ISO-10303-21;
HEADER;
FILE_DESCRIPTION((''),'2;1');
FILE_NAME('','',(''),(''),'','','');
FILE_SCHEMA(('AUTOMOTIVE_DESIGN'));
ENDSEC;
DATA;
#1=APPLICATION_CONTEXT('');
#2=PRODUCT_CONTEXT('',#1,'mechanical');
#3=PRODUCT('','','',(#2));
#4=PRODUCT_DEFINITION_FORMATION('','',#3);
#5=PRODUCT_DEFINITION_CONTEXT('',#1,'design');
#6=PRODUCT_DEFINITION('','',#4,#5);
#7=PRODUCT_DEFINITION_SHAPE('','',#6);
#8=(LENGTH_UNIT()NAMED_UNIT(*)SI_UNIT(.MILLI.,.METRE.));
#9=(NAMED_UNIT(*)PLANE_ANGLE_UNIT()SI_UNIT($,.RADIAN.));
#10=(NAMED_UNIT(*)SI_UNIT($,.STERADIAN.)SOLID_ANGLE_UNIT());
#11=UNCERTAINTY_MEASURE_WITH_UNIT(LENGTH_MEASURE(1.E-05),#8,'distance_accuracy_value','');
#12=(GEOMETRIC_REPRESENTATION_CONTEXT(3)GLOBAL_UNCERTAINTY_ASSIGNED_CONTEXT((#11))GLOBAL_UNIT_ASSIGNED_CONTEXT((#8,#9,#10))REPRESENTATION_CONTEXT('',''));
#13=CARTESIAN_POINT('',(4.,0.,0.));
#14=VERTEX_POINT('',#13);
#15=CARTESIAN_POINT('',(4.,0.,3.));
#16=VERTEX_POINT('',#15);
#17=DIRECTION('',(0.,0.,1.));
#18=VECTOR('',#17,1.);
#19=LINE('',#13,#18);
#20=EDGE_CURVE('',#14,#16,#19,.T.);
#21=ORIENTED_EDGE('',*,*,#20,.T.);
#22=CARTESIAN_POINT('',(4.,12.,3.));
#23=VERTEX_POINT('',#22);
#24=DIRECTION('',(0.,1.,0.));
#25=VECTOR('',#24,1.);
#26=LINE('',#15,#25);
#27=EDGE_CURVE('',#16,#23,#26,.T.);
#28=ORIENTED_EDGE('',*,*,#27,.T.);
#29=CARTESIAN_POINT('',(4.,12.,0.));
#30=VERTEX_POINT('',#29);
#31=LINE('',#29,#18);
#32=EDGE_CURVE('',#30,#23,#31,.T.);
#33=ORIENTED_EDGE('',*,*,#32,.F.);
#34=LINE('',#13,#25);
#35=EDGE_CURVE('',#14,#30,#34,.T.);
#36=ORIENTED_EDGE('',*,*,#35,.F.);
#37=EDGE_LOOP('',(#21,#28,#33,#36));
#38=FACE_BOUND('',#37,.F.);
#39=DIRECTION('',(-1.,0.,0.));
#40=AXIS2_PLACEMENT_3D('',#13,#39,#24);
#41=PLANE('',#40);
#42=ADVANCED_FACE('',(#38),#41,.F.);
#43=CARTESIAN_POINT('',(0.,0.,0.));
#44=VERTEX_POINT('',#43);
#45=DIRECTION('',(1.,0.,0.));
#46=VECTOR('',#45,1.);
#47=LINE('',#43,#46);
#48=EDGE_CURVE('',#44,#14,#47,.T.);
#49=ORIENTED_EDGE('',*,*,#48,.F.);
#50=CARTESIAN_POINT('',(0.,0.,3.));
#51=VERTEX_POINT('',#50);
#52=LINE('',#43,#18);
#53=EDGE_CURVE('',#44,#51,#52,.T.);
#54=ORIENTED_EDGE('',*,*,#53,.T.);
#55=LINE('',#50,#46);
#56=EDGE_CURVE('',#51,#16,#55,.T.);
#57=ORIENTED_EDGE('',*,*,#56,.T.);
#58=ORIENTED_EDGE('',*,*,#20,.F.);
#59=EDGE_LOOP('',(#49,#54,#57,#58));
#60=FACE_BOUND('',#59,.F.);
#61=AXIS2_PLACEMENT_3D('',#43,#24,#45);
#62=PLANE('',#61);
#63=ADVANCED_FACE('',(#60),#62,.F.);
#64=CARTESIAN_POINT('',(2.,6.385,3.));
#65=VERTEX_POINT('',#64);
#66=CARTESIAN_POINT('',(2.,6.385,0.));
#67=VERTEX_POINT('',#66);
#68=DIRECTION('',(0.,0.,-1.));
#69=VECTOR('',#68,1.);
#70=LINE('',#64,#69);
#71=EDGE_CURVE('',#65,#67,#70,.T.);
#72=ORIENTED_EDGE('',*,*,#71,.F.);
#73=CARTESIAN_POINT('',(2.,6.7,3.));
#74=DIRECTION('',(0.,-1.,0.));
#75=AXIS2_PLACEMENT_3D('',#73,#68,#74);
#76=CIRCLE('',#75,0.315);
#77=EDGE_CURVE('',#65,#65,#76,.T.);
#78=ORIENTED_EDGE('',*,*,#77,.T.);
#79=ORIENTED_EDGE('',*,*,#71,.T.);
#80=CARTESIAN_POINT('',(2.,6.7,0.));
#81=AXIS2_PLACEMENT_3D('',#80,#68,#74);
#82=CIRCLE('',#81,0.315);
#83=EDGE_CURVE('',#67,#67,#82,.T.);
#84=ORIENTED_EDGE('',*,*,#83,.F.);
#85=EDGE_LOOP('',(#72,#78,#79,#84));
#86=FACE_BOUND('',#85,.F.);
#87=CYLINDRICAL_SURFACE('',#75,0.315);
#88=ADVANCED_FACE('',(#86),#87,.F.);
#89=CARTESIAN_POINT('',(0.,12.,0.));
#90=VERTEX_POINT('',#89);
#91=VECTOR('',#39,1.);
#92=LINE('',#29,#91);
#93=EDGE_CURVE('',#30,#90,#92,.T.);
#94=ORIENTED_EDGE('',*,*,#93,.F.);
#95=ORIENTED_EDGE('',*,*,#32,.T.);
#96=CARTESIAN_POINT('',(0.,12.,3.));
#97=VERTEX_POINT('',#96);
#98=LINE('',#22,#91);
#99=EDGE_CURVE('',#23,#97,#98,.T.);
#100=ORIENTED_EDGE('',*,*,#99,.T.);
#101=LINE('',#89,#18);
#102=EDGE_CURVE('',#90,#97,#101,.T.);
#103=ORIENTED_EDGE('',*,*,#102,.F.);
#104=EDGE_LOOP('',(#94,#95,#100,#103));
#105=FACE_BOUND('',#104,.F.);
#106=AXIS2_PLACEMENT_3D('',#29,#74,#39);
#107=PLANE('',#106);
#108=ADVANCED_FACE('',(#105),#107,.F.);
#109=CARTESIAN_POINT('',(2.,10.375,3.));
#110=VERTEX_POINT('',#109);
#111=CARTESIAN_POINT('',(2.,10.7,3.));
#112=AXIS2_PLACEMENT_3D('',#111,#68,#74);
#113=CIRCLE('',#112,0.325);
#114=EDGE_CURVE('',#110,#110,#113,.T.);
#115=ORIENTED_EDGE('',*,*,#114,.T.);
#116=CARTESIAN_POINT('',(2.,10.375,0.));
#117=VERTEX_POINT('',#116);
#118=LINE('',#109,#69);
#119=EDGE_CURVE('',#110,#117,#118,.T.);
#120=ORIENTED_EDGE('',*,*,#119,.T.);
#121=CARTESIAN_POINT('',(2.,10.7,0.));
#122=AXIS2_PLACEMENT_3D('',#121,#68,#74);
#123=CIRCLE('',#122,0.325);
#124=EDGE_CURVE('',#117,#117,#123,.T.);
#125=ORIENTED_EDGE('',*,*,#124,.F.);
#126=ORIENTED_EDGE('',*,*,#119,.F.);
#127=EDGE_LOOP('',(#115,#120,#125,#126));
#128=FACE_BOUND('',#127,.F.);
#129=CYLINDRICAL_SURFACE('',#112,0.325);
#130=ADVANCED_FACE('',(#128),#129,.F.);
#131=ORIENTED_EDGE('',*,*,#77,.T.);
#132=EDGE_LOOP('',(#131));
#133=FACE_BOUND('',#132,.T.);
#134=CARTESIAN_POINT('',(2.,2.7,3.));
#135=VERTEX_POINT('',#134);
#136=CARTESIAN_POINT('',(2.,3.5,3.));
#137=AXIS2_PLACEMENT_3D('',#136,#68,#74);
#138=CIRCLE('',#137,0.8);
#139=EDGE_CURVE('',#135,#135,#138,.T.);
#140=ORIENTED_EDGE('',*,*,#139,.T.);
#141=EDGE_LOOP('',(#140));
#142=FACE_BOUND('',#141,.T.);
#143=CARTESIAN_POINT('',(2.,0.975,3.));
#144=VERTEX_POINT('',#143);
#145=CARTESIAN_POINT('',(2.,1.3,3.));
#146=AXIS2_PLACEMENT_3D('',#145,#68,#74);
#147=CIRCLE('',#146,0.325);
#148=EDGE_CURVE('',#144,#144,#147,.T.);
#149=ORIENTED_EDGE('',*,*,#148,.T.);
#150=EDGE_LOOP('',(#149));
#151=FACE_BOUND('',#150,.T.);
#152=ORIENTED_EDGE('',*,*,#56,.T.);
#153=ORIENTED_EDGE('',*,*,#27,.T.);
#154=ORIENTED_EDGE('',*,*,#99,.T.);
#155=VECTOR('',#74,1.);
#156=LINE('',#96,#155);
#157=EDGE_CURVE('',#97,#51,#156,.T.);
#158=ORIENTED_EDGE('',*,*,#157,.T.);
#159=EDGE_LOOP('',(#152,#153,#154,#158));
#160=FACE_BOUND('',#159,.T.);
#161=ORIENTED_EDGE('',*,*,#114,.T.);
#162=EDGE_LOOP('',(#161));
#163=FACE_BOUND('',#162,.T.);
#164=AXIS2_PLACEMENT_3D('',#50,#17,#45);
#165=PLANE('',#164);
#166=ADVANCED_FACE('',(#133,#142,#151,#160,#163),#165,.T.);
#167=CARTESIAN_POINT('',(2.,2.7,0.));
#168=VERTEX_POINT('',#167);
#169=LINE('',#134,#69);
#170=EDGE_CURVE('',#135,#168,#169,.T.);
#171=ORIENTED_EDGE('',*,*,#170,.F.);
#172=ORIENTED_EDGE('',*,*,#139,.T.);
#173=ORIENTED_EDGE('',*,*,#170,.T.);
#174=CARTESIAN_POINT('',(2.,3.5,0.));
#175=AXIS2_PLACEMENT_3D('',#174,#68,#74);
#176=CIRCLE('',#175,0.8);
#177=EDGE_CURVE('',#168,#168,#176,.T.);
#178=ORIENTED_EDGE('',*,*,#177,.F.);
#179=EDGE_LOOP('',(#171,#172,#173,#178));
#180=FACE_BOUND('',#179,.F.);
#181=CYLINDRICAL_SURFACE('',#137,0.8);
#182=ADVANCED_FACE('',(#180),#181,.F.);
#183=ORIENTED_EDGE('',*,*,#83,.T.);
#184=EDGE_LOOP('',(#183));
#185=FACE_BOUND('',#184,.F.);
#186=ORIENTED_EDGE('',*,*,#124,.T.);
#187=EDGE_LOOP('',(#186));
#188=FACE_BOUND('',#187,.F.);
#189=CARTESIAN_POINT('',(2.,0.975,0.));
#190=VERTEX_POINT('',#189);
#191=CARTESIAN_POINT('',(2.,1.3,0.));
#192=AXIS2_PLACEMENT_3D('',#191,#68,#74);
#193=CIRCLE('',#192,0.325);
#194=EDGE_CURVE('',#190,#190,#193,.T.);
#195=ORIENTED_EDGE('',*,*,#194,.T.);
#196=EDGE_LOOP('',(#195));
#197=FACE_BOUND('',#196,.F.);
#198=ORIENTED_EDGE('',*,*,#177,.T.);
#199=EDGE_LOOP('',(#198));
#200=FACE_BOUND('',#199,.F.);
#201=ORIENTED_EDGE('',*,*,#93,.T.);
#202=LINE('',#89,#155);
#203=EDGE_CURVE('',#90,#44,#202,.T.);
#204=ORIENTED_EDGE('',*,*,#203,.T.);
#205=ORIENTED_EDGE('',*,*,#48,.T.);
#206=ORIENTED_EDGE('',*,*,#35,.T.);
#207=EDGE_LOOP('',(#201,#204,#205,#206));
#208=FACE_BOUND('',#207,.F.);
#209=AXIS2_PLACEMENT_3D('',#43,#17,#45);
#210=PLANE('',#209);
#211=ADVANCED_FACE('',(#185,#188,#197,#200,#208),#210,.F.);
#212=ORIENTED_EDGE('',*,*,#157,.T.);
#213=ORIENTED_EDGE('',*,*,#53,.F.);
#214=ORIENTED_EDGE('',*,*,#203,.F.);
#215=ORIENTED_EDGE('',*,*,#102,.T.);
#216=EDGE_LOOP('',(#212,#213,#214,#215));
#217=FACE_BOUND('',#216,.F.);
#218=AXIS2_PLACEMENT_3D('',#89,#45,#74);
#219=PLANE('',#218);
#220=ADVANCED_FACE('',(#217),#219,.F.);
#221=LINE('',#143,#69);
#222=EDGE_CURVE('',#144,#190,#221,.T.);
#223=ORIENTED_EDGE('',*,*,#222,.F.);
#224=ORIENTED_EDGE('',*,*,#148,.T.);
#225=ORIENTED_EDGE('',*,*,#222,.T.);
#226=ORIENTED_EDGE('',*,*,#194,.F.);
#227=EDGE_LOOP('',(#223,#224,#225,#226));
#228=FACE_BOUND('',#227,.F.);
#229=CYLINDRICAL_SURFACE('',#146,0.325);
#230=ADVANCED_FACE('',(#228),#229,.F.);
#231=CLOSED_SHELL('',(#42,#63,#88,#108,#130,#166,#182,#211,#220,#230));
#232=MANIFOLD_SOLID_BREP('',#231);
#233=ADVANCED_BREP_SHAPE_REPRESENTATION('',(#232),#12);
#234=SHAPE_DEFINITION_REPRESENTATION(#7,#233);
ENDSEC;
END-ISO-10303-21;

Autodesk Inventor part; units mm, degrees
ref_plane "YZ Plane" through (0, 0, 0) normal (1, 0, 0) x (0, 1, 0)
ref_plane "XZ Plane" through (0, 0, 0) normal (0, 1, 0) x (-1, 0, 0)
ref_plane "XY Plane" through (0, 0, 0) normal (0, 0, 1) x (1, 0, 0)
sketch "스케치1" plane through (0, 0, 0) normal (0, 0, 1) x (1, 0, 0)
  line L0 (0, 0) -> (4, 0)
  line L1 (4, 0) -> (4, 12)
  line L2 (4, 12) -> (0, 12)
  line L3 (0, 12) -> (0, 0)
  dimension "d0" = 4
  dimension "d1" = 12
extrude "돌출1" add sketch "스케치1" along normal blind 3
sketch "스케치2" plane through (0, 0, 3) normal (0, 0, 1) x (1, 0, 0)
  line L0 (4, 12) -> (0, 12) construction
  line L1 (2, 12) -> (2, 0) construction
  line L2 (0, 0) -> (4, 0) construction
  line L3 (4, 0) -> (4, 12) projected
  line L4 (0, 12) -> (0, 0) projected
  point P0 (2, 6.7)
  point P1 (2, 3.5)
  point P2 (2, 1.3)
  point P3 (2, 10.7)
  dimension "d45" = 1.3
  dimension "d52" = 2.2
  dimension "d55" = 1.3
  dimension "d57" = 3.2
hole "구멍1" at (2, 6.7, 3) direction (0, 0, -1) diameter 0.63 end through all
hole "구멍2" at (2, 3.5, 3) direction (0, 0, -1) diameter 1.6 end through all
hole "구멍3" at (2, 1.3, 3) at (2, 10.7, 3) direction (0, 0, -1) diameter 0.65 end through all
equation "\"G23_M\" = 0.67"
equation "\"G23_F\" = 0.65"
properties part number "Top" material "유리"
